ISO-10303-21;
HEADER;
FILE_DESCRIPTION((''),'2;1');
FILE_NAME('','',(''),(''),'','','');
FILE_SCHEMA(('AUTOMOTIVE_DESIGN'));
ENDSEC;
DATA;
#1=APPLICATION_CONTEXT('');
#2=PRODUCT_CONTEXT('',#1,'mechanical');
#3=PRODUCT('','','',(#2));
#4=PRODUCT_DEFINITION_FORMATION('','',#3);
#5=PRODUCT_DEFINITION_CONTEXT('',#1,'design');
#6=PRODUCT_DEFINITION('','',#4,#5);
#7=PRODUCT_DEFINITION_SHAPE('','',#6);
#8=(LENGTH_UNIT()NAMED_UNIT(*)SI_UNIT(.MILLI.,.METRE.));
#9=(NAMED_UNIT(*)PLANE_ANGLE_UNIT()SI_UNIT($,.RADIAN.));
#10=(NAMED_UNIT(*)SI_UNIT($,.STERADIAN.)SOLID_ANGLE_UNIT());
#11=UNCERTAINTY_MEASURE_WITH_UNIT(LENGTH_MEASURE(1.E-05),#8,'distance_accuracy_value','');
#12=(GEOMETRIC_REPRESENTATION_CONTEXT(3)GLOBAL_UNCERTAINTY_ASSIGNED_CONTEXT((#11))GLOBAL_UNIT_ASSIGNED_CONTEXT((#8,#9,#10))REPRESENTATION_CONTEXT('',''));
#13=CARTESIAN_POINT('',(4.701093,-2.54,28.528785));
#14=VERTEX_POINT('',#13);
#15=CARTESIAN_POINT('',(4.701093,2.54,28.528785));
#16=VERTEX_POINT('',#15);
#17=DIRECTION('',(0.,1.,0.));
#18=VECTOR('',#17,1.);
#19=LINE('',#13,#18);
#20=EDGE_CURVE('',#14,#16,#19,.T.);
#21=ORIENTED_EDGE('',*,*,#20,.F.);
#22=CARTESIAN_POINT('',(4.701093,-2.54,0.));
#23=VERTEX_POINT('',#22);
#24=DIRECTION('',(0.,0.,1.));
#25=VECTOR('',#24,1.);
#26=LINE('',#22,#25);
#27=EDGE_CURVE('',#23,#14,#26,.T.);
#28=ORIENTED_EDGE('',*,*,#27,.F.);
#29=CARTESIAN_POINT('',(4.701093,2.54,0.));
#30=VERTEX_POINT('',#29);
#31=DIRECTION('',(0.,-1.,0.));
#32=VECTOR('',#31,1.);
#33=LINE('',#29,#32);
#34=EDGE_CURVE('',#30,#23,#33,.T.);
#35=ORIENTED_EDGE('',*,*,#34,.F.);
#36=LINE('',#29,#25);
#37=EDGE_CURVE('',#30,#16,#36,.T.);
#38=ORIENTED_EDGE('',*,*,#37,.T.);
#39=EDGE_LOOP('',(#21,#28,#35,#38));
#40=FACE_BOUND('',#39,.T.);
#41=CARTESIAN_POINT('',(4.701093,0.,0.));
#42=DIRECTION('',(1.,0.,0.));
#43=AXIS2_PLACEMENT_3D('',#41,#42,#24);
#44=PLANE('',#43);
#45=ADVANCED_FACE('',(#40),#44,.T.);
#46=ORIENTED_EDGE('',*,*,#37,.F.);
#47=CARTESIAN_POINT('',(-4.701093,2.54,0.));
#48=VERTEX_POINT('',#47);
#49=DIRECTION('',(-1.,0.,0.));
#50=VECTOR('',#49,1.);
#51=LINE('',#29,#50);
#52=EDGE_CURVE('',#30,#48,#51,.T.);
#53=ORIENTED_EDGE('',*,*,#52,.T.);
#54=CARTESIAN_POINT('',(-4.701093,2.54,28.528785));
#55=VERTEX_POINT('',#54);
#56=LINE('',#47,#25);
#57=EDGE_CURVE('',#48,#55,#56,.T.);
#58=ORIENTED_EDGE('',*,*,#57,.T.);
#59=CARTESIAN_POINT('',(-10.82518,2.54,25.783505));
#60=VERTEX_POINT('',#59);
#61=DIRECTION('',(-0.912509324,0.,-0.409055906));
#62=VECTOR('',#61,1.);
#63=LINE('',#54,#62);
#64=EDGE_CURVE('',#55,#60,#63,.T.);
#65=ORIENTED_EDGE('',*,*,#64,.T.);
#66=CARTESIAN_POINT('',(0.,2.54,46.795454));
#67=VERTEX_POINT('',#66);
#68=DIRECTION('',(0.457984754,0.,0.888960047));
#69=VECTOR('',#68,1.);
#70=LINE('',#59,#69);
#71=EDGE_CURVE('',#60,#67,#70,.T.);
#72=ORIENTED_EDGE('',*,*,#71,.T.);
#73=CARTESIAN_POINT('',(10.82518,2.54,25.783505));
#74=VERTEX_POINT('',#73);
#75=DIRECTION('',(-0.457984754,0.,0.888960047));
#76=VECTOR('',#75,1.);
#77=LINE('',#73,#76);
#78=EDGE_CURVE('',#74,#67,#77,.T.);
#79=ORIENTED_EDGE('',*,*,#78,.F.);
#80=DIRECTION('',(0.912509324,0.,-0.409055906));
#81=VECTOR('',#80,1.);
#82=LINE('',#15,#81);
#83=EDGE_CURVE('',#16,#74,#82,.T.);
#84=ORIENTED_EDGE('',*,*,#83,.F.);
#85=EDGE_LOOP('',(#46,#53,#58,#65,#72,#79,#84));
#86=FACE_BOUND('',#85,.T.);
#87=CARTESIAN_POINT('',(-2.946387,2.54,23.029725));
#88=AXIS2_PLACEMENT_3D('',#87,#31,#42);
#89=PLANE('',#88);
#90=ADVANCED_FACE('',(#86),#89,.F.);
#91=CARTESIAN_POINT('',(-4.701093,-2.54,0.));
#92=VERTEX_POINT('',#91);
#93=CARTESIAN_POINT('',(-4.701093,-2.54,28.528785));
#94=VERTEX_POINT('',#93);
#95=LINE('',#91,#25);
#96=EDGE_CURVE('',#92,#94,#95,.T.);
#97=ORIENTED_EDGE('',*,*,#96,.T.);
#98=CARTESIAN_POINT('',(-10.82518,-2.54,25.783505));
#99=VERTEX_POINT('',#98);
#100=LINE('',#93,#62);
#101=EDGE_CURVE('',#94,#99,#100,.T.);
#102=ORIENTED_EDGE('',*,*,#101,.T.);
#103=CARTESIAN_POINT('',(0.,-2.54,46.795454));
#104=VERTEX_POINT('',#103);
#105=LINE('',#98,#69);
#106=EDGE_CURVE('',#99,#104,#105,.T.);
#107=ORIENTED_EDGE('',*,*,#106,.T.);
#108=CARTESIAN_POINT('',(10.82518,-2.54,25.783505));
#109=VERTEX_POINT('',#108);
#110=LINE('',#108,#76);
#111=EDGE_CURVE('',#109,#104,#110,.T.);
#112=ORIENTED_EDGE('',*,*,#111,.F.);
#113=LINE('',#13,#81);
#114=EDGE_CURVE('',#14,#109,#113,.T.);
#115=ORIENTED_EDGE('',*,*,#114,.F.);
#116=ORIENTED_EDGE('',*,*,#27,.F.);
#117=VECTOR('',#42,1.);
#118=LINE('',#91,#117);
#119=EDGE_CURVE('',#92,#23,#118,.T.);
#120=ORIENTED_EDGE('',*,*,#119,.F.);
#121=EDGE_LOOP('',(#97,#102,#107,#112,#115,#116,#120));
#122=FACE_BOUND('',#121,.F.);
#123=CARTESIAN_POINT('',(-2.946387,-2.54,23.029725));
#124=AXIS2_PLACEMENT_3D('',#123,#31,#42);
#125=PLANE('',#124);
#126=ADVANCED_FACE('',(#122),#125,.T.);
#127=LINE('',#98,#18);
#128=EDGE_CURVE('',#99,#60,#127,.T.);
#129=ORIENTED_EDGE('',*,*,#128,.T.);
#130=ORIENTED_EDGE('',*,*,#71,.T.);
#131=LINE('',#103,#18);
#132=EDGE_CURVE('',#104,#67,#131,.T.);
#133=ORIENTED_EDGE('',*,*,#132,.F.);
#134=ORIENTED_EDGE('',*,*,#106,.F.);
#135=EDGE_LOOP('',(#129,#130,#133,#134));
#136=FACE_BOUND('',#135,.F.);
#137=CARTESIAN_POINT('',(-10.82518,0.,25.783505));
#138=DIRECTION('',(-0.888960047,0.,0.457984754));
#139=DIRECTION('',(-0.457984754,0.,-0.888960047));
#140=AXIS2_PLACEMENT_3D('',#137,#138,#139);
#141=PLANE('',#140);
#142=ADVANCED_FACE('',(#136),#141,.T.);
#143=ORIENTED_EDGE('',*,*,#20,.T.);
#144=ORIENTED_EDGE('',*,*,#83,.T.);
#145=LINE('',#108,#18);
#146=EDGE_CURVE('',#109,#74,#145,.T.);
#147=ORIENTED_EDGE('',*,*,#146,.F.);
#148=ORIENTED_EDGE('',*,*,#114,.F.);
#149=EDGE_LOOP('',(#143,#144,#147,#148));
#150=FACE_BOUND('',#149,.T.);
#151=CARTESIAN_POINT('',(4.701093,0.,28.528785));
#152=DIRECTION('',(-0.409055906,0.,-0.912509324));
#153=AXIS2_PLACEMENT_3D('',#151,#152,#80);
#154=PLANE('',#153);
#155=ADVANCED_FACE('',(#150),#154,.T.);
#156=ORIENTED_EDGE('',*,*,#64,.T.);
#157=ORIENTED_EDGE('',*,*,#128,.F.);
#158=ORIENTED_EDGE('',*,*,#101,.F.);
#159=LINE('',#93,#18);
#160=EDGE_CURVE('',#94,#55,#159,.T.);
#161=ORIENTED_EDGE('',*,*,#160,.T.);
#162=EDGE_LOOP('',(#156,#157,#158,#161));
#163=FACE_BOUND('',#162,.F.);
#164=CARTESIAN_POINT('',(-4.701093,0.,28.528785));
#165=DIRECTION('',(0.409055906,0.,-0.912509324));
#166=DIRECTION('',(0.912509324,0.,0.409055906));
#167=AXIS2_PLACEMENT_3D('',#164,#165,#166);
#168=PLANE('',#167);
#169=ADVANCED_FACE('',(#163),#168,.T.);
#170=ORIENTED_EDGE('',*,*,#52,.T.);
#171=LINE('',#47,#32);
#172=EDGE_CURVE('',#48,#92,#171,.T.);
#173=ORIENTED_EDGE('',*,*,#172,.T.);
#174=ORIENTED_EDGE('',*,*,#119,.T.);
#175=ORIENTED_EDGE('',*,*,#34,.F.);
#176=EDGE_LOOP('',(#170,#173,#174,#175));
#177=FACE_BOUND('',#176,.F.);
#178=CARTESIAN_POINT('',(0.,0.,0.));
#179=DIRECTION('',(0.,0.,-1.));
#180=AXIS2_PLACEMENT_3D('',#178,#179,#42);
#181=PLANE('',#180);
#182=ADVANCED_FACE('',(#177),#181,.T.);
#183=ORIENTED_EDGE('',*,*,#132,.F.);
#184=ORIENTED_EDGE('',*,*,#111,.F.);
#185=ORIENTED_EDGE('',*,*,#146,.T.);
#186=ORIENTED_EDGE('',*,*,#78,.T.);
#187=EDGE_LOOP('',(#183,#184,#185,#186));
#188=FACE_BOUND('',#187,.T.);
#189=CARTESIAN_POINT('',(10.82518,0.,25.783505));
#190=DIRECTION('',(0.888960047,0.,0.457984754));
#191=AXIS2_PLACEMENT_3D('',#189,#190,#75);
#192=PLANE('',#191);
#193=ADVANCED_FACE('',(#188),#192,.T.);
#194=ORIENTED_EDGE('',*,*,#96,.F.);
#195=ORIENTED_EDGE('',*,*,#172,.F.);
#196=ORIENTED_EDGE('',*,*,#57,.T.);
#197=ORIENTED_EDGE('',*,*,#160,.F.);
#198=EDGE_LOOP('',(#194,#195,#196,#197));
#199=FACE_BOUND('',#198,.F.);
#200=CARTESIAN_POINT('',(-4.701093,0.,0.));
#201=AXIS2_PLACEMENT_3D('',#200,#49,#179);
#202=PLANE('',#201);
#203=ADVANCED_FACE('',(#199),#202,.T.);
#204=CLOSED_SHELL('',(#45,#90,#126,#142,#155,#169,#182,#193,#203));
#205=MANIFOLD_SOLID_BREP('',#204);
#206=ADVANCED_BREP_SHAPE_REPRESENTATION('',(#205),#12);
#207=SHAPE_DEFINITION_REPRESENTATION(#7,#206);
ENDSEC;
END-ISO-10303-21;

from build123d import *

# Parameters (mm, degrees)
F1_DEPTH = 2.54


with BuildPart() as f1:
    # F0 (on Front) → F1 (new body, symmetric)
    with BuildSketch(Plane.XZ):
        Polygon((0, 46.7954538763), (0, 0), (4.7010933049, 0), (4.7010933049, 28.528785333), (10.8251795173, 25.7835052907), align=None)
    extrude(amount=F1_DEPTH, both=True)

    # F2: F1 across face


with BuildPart() as f1_1:
    add(f1.part)
    add(f1.part.mirror(Plane(origin=(0, 0, 23.3977269381), x_dir=(0, -1, 0), z_dir=(-1, 0, 0))))


solid = f1_1.part
